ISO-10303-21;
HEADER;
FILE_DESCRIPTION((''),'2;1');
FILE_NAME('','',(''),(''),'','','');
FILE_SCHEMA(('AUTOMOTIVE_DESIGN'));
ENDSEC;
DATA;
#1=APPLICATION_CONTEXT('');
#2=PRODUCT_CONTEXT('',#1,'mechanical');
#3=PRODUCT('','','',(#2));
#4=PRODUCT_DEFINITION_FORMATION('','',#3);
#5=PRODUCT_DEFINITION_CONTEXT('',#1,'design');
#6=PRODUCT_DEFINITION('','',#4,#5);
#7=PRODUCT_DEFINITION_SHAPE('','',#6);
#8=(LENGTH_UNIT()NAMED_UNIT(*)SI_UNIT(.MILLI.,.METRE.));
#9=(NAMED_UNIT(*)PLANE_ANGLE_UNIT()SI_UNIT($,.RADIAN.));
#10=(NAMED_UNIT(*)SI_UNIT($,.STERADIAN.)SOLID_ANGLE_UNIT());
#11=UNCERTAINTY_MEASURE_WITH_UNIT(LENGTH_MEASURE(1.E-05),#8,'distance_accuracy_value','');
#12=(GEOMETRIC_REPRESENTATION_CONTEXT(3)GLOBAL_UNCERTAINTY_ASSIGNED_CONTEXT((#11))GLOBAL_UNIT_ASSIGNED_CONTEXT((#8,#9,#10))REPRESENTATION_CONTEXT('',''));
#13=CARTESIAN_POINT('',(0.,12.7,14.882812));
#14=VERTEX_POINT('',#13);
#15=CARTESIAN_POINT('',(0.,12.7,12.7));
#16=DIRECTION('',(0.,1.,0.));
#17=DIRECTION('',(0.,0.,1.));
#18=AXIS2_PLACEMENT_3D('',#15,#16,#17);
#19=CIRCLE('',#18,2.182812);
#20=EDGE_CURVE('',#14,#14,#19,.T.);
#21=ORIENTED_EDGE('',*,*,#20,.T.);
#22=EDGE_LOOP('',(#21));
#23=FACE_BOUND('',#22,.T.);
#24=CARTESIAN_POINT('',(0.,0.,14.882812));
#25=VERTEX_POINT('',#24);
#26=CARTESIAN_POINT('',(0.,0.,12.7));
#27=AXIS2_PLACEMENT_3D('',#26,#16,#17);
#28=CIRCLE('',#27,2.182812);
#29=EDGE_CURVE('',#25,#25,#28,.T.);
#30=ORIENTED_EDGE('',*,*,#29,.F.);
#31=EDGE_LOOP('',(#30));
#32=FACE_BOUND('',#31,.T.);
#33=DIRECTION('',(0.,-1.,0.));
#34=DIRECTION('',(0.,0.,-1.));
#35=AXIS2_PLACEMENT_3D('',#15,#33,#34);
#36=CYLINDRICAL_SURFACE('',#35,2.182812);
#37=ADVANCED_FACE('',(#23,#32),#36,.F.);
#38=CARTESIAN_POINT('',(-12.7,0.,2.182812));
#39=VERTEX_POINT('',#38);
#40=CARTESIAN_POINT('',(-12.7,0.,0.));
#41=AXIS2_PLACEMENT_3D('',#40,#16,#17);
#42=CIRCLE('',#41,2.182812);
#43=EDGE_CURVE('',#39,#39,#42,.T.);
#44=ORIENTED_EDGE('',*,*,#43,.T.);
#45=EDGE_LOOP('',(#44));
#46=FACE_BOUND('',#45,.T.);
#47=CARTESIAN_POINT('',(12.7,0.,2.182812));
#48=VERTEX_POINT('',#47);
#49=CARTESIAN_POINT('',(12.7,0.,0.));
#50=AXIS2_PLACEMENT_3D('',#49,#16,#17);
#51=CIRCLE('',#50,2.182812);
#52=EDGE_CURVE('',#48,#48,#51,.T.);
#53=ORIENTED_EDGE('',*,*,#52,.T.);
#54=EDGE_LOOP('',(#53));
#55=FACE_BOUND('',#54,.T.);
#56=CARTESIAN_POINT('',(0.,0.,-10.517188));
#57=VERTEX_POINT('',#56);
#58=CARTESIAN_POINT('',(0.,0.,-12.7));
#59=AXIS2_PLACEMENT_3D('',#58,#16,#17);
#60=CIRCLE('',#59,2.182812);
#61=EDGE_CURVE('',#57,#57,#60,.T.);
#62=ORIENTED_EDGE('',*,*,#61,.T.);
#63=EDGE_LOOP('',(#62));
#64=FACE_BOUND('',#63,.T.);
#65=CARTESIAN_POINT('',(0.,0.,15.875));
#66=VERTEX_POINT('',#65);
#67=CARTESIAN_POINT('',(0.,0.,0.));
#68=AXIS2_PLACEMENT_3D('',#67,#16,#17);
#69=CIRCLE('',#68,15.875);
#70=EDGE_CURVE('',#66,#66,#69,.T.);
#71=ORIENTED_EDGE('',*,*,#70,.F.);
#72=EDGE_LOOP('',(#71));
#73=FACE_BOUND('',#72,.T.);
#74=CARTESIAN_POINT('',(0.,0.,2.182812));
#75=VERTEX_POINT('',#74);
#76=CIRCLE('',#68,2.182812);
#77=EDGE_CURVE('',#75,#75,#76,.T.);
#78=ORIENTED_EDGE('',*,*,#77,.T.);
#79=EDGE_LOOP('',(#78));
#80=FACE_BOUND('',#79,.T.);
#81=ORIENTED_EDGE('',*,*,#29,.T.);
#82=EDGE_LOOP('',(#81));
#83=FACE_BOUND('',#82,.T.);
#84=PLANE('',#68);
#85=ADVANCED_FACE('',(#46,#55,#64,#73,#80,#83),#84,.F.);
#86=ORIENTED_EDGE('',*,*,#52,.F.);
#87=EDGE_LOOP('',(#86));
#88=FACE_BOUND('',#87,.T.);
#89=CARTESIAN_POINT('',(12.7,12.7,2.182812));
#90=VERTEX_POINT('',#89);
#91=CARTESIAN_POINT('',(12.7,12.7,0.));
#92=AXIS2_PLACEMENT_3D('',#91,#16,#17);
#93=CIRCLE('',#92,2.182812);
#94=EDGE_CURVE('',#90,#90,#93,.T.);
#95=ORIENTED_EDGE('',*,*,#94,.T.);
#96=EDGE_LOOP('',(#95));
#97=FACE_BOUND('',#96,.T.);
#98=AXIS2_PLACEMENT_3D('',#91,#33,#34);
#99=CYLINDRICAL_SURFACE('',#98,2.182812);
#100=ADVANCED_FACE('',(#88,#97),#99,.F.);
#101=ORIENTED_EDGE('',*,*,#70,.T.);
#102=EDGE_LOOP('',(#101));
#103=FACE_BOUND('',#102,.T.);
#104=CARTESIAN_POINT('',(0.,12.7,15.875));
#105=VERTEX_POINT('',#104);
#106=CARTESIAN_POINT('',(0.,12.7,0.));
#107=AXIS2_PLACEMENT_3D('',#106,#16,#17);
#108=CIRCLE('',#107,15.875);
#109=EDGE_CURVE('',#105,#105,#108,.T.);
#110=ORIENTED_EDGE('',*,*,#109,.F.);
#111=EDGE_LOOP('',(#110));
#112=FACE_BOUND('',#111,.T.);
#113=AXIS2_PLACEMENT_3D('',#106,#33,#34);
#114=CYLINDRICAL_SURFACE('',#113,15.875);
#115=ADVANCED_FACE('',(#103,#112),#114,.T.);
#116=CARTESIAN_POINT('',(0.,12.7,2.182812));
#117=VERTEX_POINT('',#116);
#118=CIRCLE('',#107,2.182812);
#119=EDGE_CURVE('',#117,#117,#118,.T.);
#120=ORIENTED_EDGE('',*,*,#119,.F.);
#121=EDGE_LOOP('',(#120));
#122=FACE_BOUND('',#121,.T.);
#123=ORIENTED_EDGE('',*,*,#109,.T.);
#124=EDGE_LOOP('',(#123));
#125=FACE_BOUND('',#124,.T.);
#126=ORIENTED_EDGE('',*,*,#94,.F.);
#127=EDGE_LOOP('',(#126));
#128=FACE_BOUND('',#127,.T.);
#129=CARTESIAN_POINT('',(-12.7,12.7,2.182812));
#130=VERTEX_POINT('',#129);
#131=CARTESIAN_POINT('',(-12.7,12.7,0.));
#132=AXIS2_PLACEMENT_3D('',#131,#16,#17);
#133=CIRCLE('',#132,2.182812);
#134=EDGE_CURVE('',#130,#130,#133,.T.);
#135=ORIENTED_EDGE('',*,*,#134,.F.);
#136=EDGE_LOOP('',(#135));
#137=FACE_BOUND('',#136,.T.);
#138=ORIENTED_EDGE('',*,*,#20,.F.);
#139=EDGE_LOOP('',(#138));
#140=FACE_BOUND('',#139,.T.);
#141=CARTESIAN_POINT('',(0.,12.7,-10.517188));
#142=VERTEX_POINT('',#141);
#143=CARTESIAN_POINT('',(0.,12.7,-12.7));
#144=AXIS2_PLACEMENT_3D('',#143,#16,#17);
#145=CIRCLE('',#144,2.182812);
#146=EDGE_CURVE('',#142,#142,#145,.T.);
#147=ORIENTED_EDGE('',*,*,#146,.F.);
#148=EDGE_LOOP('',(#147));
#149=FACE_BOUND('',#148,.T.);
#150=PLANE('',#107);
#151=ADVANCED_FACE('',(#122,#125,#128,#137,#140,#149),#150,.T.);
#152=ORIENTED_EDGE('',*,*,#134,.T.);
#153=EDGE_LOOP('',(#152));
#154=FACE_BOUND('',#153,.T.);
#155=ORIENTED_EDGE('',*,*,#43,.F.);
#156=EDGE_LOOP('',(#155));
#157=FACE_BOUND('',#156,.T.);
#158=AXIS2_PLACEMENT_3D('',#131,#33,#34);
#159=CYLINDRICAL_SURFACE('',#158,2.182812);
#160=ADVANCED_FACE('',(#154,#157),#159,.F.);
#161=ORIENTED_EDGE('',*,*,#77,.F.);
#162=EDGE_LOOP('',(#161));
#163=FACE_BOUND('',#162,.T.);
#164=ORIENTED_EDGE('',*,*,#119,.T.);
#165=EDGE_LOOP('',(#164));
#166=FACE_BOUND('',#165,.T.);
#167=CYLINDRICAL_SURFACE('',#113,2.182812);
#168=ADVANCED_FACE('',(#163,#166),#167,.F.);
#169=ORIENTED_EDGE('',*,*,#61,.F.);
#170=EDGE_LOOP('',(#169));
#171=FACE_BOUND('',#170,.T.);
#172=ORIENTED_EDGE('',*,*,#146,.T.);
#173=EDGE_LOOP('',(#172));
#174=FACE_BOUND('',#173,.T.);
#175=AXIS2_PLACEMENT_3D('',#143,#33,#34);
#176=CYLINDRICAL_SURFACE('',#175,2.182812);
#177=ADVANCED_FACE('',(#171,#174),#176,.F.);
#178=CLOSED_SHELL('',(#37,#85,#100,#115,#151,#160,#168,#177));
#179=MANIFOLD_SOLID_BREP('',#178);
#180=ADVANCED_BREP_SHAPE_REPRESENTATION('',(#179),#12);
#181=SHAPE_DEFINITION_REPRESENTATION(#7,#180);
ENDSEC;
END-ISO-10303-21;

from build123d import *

# Parameters (mm, degrees)
SKETCH1_R           = 15.875
SKETCH1_R_2         = 2.1828125
BOSS_EXTRUDE1_DEPTH = 12.7


with BuildPart() as part:
    # Sketch1 → Boss-Extrude1 (new body)
    with BuildSketch(Plane(origin=(0, 0, 0), x_dir=(1, 0, 0), z_dir=(0, 1, 0))):
        with Locations(Location((0, 0, 0), (0, 0, 270))):
            Circle(SKETCH1_R)
        with Locations(Location((0, 0, 0), (0, 0, 270))):
            Circle(SKETCH1_R_2, mode=Mode.SUBTRACT)
        with Locations(Location((12.7, 0, 0), (0, 0, 270))):
            Circle(SKETCH1_R_2, mode=Mode.SUBTRACT)
        with Locations(Location((-12.7, 0, 0), (0, 0, 270))):
            Circle(SKETCH1_R_2, mode=Mode.SUBTRACT)
        with Locations(Location((0, 12.7, 0), (0, 0, 270))):
            Circle(SKETCH1_R_2, mode=Mode.SUBTRACT)
        with Locations(Location((0, -12.7, 0), (0, 0, 270))):
            Circle(SKETCH1_R_2, mode=Mode.SUBTRACT)
    extrude(amount=BOSS_EXTRUDE1_DEPTH)


solid = part.part
